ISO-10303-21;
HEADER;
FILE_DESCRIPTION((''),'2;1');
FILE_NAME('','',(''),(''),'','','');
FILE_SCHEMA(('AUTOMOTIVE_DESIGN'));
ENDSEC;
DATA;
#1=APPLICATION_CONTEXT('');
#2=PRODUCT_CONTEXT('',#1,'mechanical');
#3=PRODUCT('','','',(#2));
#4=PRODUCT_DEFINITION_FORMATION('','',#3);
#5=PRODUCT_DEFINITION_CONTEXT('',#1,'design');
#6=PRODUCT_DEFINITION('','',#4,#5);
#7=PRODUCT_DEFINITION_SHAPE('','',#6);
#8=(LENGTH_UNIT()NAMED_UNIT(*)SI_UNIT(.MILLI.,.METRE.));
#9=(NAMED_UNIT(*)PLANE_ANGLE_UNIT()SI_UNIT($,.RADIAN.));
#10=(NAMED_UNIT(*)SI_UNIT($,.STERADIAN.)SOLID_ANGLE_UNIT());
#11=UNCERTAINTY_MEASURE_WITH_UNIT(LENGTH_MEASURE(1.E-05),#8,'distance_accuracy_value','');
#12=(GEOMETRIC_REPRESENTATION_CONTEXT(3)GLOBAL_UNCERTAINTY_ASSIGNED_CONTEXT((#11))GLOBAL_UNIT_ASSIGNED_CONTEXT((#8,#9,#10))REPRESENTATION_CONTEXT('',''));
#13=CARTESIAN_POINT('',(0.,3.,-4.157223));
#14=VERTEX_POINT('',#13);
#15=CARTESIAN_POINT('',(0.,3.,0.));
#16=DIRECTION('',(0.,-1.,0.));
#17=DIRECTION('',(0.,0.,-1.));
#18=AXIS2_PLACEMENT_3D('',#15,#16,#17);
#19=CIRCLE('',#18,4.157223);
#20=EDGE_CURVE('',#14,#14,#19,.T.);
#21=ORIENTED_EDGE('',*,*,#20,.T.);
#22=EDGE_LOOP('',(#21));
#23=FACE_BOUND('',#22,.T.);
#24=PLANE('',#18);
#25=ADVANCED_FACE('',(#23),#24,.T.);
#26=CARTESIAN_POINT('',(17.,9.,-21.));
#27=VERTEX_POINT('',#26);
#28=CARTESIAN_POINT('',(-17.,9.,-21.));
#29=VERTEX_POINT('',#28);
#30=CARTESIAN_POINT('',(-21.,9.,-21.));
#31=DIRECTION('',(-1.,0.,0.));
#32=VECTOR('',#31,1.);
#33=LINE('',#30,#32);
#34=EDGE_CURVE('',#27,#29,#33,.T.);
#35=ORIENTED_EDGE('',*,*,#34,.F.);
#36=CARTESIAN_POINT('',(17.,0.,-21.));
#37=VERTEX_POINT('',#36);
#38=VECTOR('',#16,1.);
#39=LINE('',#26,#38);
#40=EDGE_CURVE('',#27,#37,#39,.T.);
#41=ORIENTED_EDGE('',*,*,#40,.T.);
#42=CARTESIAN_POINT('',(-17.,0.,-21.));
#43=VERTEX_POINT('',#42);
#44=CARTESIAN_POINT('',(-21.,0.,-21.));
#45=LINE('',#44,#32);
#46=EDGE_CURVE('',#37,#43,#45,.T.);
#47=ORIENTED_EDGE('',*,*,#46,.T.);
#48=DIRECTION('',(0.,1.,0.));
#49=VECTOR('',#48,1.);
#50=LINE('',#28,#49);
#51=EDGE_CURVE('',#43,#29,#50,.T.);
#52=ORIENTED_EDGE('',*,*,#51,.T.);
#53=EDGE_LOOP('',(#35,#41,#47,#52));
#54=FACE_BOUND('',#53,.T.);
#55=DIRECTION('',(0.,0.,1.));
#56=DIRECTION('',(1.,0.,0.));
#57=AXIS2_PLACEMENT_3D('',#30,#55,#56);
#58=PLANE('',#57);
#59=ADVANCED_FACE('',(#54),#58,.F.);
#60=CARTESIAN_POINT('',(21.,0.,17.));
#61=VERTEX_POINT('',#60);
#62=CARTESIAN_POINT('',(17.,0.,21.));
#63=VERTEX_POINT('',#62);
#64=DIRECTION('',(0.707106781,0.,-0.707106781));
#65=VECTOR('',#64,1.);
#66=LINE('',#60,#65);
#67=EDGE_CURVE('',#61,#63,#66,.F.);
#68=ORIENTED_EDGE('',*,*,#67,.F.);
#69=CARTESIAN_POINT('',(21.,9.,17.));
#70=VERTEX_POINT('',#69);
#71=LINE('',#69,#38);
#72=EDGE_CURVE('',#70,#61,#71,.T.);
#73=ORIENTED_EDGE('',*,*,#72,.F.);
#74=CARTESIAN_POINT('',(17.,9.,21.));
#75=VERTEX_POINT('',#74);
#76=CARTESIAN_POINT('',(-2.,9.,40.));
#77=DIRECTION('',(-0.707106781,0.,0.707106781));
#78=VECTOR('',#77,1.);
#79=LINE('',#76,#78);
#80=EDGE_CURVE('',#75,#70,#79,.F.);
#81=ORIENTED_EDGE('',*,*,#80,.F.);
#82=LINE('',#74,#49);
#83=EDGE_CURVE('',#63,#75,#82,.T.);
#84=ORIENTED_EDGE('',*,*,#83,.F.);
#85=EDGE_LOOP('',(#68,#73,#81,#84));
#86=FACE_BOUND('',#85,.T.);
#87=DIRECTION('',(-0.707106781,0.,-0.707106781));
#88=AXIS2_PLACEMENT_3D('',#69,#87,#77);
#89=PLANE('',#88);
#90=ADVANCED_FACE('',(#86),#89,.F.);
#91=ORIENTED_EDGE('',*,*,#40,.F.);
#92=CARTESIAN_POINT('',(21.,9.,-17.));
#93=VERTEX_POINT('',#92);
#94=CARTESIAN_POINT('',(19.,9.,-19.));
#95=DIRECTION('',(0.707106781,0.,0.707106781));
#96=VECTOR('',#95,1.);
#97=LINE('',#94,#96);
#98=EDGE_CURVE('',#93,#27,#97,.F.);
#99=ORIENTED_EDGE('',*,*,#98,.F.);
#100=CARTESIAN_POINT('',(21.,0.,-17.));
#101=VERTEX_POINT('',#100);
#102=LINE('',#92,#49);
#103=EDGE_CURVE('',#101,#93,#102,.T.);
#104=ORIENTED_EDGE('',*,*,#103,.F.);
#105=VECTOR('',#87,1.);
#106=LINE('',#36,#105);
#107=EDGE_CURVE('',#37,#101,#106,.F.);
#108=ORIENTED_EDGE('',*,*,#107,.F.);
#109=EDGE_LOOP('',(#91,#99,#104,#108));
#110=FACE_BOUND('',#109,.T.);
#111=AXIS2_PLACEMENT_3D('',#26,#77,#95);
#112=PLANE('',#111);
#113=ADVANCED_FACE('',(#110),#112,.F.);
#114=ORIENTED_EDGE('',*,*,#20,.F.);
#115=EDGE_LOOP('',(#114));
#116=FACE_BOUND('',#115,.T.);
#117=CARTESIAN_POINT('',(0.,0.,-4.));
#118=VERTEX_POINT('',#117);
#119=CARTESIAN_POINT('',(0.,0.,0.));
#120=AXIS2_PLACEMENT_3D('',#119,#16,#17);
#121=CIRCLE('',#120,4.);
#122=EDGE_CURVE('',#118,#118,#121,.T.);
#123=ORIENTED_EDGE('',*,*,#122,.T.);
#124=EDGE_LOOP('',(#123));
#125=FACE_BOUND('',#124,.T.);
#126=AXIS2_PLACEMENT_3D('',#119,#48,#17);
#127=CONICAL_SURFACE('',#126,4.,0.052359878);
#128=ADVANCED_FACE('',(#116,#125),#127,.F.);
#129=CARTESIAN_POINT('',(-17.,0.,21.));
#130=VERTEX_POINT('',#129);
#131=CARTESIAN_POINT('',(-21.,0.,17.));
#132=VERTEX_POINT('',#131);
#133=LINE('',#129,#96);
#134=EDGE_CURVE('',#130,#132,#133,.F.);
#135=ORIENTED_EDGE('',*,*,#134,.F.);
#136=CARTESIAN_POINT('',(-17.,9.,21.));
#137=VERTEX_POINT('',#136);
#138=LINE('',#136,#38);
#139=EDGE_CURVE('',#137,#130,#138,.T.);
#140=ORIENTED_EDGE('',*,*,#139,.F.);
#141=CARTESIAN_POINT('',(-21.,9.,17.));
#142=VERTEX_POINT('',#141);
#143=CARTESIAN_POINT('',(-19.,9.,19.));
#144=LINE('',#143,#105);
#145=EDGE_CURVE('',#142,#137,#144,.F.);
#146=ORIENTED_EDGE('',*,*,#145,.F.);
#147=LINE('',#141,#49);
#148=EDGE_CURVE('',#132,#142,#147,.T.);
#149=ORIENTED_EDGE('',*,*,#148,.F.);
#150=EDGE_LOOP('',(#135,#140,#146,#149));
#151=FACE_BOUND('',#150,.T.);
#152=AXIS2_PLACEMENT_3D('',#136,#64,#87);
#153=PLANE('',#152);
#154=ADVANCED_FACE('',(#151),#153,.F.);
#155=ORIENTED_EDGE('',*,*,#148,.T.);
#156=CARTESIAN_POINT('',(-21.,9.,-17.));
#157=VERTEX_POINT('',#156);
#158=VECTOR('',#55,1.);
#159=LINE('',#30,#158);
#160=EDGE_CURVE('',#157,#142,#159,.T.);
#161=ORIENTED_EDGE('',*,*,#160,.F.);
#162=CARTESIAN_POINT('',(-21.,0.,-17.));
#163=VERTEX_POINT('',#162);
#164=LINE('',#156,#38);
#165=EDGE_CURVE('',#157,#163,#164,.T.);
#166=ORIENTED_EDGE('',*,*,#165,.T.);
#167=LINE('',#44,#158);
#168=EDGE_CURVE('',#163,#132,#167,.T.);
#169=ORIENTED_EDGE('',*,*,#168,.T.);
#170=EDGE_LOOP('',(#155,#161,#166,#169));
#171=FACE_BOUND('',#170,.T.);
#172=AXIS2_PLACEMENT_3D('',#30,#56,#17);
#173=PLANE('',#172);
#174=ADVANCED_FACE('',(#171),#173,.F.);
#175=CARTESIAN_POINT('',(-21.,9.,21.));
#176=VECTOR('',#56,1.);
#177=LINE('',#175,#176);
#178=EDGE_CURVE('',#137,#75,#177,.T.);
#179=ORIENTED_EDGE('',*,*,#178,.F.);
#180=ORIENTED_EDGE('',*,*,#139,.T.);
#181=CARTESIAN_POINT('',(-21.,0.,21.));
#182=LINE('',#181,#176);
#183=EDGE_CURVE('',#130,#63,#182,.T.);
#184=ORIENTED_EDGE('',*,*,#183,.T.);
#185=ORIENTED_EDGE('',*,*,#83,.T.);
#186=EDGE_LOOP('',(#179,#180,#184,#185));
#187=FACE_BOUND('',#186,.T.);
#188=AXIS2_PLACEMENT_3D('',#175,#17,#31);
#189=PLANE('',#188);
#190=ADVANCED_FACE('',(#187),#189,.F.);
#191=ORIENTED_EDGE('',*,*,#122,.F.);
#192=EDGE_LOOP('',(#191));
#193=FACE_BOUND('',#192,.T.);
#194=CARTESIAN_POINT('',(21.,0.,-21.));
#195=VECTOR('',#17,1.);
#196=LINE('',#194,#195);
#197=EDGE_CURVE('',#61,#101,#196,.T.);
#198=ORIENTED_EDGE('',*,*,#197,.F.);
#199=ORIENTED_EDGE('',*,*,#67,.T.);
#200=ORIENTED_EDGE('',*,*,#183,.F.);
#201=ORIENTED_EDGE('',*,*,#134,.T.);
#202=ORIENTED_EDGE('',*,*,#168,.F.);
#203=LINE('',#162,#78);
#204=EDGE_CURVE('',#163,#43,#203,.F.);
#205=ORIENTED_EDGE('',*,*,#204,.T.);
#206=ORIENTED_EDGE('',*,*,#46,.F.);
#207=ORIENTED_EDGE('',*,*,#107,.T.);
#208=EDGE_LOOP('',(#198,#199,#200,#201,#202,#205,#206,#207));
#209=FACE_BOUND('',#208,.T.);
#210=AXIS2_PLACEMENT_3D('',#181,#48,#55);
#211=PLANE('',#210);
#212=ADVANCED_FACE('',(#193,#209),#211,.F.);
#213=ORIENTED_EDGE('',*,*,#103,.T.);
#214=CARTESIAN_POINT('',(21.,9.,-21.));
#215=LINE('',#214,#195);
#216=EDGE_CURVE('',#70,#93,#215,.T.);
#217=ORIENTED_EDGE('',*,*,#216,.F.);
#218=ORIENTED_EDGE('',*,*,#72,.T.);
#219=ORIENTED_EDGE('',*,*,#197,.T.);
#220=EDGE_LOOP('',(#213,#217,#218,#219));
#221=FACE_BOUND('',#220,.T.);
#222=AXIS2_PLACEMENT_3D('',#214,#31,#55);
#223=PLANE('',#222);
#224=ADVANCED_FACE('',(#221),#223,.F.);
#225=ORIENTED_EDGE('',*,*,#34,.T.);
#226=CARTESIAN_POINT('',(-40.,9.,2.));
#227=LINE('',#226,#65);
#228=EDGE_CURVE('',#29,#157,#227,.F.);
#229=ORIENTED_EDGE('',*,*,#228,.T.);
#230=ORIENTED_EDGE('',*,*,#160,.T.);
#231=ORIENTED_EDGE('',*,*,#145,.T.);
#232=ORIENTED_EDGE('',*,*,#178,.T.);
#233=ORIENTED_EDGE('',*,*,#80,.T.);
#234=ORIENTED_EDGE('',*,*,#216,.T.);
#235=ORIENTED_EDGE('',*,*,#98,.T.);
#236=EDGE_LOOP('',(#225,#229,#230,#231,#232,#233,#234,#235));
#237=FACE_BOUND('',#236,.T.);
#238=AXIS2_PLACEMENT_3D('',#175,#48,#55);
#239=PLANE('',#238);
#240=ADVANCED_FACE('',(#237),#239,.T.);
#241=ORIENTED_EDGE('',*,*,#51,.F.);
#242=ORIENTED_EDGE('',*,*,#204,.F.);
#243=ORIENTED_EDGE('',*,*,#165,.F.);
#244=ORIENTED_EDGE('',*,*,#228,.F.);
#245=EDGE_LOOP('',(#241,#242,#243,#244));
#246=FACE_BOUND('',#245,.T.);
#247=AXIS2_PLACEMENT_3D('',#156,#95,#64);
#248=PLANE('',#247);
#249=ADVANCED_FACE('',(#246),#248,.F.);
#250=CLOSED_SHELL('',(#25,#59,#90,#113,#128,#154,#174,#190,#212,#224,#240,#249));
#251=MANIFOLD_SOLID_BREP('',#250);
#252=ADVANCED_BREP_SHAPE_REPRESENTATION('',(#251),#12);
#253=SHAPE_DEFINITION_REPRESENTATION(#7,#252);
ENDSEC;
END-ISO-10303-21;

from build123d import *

# Parameters (mm, degrees)
SKETCH1_W           = 42
SKETCH1_H           = 42
BOSS_EXTRUDE1_DEPTH = 9
CHAMFER1_SIZE       = 4
SKETCH2_R           = 4
CUT_EXTRUDE2_DEPTH  = 3
CUT_EXTRUDE2_TAPER  = -3


with BuildPart() as part:
    # Sketch1 → Boss-Extrude1 (new body)
    with BuildSketch(Plane(origin=(0, 0, 0), x_dir=(1, 0, 0), z_dir=(0, 1, 0))):
        Rectangle(SKETCH1_W, SKETCH1_H)
    extrude(amount=BOSS_EXTRUDE1_DEPTH)

    # Chamfer1
    chamfer1_edges = [part.edges().sort_by_distance(p)[0] for p in [
        (-21, 4.5, -21),
        (21, 4.5, -21),
        (21, 4.5, 21),
        (-21, 4.5, 21),
    ]]
    chamfer(chamfer1_edges, length=CHAMFER1_SIZE)

    # Sketch2 → Cut-Extrude2 (cut)
    with BuildSketch(Plane.XZ):
        Circle(SKETCH2_R)
    extrude(amount=-CUT_EXTRUDE2_DEPTH, taper=CUT_EXTRUDE2_TAPER, mode=Mode.SUBTRACT)


solid = part.part
